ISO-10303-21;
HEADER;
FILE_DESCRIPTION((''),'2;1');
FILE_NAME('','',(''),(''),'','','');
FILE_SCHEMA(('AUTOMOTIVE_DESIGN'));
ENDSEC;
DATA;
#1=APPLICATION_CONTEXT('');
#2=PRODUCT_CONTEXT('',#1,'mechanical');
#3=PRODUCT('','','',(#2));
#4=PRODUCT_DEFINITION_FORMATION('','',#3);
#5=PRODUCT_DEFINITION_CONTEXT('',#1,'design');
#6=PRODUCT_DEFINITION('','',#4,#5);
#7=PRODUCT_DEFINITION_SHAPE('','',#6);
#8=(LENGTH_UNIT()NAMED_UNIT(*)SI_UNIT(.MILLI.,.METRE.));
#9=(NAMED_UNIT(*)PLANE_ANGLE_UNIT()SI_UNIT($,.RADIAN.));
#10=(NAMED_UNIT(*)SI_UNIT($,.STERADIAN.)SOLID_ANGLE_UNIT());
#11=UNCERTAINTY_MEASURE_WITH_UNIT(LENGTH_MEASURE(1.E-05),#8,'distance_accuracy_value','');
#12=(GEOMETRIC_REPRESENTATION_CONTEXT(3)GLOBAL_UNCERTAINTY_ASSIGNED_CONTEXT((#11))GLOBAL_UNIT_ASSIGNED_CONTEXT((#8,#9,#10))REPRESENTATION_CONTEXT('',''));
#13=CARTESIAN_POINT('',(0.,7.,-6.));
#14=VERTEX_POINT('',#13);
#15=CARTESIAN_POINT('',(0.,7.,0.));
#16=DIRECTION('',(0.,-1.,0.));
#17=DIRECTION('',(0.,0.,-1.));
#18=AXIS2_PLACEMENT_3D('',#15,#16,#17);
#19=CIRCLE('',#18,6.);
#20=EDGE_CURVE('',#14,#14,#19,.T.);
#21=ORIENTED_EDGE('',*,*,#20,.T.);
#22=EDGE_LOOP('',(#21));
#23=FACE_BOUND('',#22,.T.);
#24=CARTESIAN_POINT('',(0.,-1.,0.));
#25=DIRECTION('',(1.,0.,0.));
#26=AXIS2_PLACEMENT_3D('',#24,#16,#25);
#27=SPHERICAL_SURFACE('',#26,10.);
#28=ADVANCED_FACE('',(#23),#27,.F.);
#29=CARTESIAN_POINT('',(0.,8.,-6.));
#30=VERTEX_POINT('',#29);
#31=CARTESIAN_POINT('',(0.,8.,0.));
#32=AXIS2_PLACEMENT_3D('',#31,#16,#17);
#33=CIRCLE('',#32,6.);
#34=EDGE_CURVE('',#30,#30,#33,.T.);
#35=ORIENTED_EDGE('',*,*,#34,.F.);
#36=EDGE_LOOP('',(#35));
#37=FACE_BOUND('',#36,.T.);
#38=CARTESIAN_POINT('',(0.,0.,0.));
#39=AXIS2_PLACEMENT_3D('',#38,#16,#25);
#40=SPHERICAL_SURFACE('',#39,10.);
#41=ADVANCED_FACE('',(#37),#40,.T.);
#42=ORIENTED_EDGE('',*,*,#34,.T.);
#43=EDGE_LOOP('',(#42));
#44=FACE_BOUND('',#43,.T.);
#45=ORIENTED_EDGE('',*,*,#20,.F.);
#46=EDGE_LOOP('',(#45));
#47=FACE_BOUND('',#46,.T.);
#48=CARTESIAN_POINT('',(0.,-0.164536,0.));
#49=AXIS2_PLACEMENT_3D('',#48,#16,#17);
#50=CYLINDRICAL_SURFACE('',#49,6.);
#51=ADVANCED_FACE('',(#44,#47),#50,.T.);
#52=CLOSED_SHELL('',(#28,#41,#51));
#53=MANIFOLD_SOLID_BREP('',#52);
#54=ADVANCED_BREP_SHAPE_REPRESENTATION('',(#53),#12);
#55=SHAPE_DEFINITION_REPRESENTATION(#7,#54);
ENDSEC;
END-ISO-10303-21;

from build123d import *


with BuildPart() as part:
    # 草图1 → 旋转1 (revolve)
    with BuildSketch(Plane.XY):
        with BuildLine():
            Line((6, 8), (6, 7))
            ThreePointArc((6, 7), (3.16227766, 8.486832981), (0, 9))
            Line((0, 9), (0, 10))
            ThreePointArc((0, 10), (3.16227766, 9.486832981), (6, 8))
        make_face()
    revolve(axis=Axis((0, -0.16453649, 0), (0, 1, 0)))


solid = part.part
